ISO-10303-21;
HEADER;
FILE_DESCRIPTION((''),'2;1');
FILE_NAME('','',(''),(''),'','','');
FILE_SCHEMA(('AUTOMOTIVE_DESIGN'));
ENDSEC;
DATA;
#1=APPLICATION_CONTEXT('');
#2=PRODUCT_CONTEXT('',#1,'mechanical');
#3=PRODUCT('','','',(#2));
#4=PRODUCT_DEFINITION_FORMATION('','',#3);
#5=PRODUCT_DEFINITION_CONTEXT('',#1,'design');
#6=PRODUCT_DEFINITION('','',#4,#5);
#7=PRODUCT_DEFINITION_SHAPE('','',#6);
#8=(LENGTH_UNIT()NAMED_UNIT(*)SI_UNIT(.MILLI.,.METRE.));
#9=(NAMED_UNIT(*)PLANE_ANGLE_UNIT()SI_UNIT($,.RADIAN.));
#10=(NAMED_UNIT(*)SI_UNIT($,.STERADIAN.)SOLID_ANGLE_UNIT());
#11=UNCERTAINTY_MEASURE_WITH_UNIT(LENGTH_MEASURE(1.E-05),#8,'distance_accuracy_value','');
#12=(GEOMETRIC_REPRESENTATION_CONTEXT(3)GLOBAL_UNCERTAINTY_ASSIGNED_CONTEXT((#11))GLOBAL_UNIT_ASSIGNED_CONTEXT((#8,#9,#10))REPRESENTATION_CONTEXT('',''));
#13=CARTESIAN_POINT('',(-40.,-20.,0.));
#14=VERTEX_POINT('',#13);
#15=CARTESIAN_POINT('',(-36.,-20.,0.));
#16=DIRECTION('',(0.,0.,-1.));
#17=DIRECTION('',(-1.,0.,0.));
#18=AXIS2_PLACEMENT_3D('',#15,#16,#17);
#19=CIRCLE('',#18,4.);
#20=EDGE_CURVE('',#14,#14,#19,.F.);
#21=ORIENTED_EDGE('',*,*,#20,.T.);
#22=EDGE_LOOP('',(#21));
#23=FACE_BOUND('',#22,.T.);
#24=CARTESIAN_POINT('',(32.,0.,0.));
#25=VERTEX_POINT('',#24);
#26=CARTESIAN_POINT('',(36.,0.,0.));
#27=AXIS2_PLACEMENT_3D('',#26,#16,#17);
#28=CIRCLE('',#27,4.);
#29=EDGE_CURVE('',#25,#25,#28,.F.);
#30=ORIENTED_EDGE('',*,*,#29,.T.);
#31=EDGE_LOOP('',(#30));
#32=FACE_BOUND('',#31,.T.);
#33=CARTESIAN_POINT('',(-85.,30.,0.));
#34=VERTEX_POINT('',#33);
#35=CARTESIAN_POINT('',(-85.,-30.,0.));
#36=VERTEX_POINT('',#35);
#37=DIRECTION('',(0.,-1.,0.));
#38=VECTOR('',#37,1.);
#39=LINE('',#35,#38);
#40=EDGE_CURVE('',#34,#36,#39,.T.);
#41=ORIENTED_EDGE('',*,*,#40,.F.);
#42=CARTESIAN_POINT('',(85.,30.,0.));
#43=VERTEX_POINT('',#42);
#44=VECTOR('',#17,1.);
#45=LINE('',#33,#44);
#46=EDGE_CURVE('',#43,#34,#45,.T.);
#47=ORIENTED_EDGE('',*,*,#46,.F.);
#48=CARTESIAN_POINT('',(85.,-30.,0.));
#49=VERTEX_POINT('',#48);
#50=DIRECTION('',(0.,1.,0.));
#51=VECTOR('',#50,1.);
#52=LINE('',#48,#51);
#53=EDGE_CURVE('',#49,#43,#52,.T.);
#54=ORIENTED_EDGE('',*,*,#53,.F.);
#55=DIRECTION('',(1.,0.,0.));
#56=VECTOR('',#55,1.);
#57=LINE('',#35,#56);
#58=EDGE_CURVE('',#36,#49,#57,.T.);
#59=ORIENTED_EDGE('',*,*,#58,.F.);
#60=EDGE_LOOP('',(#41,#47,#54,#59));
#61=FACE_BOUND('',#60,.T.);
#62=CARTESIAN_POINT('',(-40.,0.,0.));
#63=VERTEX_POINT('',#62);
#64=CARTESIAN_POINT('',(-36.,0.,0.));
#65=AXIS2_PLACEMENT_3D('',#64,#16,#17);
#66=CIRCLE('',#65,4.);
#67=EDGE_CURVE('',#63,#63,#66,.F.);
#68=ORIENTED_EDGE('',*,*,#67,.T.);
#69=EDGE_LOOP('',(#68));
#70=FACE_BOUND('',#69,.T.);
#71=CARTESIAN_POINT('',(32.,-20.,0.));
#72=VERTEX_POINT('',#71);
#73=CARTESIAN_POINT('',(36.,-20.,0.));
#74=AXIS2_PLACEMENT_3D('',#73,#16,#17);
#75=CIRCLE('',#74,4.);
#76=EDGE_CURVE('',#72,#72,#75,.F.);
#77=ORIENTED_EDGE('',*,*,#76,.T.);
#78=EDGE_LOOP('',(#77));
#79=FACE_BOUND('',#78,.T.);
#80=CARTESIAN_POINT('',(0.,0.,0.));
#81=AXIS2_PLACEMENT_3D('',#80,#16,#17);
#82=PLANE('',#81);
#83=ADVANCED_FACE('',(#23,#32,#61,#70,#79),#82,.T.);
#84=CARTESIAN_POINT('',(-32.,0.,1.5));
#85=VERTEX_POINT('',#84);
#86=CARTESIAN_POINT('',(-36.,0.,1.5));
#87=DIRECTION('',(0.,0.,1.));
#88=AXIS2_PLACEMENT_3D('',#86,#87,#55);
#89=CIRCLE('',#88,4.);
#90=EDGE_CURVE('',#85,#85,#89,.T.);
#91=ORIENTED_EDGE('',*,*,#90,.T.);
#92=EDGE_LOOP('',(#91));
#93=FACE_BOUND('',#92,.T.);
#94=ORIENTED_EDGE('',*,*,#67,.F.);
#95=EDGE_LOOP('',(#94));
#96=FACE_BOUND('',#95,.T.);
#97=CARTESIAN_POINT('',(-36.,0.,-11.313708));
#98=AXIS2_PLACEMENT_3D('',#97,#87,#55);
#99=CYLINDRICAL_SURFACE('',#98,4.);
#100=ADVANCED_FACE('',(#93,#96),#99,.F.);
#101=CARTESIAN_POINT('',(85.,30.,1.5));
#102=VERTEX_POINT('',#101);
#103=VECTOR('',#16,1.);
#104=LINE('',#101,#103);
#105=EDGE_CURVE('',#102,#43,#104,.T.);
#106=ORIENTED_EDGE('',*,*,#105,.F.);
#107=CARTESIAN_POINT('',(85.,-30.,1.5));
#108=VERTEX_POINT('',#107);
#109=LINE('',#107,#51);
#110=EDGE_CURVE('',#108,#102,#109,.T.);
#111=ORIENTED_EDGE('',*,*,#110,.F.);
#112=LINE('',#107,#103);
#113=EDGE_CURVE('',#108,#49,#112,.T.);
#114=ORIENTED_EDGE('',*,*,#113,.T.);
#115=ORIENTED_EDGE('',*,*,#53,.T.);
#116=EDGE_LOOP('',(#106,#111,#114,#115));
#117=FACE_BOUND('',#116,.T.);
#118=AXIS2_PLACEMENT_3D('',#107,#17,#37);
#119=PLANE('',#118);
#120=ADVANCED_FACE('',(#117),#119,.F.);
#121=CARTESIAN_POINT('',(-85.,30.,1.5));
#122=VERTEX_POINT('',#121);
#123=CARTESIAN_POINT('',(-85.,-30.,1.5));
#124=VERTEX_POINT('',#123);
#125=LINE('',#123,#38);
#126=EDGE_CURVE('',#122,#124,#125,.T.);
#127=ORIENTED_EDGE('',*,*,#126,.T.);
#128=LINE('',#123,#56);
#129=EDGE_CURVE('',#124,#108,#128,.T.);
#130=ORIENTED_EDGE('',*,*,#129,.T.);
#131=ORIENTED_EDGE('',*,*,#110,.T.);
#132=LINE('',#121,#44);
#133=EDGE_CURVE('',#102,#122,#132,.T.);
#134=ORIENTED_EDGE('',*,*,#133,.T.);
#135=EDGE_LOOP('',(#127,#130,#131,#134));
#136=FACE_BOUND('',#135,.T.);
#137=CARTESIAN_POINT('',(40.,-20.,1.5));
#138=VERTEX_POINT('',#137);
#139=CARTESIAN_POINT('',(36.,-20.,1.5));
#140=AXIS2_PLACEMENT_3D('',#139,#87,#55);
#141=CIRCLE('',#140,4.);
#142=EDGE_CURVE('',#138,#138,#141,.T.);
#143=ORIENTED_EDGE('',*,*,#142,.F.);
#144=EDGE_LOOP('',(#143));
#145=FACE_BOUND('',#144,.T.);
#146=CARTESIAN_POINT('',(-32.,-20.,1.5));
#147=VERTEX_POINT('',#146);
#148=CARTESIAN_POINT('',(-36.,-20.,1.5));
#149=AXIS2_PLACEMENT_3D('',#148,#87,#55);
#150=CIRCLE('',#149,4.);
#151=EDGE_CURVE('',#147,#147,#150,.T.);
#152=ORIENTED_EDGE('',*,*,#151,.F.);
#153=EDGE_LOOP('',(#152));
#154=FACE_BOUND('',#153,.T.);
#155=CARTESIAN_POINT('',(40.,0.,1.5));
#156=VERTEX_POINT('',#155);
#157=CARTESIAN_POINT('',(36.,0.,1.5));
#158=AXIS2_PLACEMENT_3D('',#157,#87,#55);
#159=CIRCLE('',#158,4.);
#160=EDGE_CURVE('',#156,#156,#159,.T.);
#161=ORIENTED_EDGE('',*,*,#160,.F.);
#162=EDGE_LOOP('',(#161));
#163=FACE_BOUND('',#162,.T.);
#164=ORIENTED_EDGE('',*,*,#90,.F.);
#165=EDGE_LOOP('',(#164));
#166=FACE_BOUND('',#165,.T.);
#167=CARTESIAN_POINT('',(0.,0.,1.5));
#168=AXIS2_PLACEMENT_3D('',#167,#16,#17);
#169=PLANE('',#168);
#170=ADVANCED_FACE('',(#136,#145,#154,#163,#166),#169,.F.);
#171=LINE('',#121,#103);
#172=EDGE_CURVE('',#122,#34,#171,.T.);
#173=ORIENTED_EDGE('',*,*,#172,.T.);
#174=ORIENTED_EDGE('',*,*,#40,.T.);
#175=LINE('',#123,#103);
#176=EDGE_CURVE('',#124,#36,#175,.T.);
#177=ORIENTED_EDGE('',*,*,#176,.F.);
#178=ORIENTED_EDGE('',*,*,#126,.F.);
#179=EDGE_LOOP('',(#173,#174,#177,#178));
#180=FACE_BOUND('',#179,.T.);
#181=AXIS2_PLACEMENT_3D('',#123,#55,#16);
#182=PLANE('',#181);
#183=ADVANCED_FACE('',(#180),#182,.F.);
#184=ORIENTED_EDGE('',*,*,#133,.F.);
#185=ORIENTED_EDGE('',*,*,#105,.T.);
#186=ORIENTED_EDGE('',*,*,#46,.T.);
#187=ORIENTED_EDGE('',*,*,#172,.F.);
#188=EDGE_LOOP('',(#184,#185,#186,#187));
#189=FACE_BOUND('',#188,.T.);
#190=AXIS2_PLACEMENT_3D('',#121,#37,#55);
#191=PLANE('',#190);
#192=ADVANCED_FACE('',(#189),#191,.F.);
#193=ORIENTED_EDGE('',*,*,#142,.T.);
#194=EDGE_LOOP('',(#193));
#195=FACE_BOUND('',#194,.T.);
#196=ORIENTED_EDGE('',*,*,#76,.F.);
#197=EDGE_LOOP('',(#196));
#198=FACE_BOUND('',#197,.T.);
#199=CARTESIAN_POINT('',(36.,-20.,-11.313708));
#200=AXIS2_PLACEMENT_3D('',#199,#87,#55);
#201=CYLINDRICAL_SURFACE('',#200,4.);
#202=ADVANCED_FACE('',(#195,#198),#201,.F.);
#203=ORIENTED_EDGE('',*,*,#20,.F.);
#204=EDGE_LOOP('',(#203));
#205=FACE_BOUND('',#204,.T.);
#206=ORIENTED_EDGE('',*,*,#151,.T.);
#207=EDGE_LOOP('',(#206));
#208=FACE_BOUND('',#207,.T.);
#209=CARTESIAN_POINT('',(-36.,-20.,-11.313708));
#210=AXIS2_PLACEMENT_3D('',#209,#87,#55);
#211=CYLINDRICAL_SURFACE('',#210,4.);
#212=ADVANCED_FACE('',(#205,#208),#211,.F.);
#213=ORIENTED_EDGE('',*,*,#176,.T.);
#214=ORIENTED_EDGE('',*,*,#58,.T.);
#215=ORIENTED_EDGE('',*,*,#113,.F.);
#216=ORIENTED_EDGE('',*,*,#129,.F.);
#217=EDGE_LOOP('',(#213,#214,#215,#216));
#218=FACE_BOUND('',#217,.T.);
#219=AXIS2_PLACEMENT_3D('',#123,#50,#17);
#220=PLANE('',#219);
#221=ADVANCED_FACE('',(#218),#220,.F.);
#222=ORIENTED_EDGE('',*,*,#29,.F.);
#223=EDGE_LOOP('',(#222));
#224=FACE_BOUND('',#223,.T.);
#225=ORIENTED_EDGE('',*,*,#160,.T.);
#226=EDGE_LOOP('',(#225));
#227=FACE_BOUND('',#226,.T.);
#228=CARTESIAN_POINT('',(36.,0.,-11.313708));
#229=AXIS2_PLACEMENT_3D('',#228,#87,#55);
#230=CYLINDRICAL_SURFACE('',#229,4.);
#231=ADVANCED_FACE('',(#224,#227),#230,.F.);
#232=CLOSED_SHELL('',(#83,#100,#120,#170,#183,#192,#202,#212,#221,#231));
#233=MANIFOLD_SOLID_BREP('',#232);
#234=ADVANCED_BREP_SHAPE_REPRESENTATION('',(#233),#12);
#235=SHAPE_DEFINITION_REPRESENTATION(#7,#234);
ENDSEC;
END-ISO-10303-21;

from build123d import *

# Parameters (mm, degrees)
CROQUIS1_W              = 170
CROQUIS1_H              = 60
SALIENTE_EXTRUIR1_DEPTH = 1.5
CROQUIS2_R              = 4
CORTAR_EXTRUIR1_DEPTH   = 1.5


with BuildPart() as part:
    # Croquis1 → Saliente-Extruir1 (new body)
    with BuildSketch(Plane.XY):
        Rectangle(CROQUIS1_W, CROQUIS1_H)
    extrude(amount=SALIENTE_EXTRUIR1_DEPTH)

    # Croquis2 → Cortar-Extruir1 (cut)
    with BuildSketch(Plane.XY.offset(1.5)):
        with Locations((-35.99999999, -20)):
            Circle(CROQUIS2_R)
        with Locations((-35.99999999, 0)):
            Circle(CROQUIS2_R)
        with Locations((36.00000001, -20)):
            Circle(CROQUIS2_R)
        with Locations((36.00000001, 0)):
            Circle(CROQUIS2_R)
    extrude(amount=-CORTAR_EXTRUIR1_DEPTH, mode=Mode.SUBTRACT)


solid = part.part
